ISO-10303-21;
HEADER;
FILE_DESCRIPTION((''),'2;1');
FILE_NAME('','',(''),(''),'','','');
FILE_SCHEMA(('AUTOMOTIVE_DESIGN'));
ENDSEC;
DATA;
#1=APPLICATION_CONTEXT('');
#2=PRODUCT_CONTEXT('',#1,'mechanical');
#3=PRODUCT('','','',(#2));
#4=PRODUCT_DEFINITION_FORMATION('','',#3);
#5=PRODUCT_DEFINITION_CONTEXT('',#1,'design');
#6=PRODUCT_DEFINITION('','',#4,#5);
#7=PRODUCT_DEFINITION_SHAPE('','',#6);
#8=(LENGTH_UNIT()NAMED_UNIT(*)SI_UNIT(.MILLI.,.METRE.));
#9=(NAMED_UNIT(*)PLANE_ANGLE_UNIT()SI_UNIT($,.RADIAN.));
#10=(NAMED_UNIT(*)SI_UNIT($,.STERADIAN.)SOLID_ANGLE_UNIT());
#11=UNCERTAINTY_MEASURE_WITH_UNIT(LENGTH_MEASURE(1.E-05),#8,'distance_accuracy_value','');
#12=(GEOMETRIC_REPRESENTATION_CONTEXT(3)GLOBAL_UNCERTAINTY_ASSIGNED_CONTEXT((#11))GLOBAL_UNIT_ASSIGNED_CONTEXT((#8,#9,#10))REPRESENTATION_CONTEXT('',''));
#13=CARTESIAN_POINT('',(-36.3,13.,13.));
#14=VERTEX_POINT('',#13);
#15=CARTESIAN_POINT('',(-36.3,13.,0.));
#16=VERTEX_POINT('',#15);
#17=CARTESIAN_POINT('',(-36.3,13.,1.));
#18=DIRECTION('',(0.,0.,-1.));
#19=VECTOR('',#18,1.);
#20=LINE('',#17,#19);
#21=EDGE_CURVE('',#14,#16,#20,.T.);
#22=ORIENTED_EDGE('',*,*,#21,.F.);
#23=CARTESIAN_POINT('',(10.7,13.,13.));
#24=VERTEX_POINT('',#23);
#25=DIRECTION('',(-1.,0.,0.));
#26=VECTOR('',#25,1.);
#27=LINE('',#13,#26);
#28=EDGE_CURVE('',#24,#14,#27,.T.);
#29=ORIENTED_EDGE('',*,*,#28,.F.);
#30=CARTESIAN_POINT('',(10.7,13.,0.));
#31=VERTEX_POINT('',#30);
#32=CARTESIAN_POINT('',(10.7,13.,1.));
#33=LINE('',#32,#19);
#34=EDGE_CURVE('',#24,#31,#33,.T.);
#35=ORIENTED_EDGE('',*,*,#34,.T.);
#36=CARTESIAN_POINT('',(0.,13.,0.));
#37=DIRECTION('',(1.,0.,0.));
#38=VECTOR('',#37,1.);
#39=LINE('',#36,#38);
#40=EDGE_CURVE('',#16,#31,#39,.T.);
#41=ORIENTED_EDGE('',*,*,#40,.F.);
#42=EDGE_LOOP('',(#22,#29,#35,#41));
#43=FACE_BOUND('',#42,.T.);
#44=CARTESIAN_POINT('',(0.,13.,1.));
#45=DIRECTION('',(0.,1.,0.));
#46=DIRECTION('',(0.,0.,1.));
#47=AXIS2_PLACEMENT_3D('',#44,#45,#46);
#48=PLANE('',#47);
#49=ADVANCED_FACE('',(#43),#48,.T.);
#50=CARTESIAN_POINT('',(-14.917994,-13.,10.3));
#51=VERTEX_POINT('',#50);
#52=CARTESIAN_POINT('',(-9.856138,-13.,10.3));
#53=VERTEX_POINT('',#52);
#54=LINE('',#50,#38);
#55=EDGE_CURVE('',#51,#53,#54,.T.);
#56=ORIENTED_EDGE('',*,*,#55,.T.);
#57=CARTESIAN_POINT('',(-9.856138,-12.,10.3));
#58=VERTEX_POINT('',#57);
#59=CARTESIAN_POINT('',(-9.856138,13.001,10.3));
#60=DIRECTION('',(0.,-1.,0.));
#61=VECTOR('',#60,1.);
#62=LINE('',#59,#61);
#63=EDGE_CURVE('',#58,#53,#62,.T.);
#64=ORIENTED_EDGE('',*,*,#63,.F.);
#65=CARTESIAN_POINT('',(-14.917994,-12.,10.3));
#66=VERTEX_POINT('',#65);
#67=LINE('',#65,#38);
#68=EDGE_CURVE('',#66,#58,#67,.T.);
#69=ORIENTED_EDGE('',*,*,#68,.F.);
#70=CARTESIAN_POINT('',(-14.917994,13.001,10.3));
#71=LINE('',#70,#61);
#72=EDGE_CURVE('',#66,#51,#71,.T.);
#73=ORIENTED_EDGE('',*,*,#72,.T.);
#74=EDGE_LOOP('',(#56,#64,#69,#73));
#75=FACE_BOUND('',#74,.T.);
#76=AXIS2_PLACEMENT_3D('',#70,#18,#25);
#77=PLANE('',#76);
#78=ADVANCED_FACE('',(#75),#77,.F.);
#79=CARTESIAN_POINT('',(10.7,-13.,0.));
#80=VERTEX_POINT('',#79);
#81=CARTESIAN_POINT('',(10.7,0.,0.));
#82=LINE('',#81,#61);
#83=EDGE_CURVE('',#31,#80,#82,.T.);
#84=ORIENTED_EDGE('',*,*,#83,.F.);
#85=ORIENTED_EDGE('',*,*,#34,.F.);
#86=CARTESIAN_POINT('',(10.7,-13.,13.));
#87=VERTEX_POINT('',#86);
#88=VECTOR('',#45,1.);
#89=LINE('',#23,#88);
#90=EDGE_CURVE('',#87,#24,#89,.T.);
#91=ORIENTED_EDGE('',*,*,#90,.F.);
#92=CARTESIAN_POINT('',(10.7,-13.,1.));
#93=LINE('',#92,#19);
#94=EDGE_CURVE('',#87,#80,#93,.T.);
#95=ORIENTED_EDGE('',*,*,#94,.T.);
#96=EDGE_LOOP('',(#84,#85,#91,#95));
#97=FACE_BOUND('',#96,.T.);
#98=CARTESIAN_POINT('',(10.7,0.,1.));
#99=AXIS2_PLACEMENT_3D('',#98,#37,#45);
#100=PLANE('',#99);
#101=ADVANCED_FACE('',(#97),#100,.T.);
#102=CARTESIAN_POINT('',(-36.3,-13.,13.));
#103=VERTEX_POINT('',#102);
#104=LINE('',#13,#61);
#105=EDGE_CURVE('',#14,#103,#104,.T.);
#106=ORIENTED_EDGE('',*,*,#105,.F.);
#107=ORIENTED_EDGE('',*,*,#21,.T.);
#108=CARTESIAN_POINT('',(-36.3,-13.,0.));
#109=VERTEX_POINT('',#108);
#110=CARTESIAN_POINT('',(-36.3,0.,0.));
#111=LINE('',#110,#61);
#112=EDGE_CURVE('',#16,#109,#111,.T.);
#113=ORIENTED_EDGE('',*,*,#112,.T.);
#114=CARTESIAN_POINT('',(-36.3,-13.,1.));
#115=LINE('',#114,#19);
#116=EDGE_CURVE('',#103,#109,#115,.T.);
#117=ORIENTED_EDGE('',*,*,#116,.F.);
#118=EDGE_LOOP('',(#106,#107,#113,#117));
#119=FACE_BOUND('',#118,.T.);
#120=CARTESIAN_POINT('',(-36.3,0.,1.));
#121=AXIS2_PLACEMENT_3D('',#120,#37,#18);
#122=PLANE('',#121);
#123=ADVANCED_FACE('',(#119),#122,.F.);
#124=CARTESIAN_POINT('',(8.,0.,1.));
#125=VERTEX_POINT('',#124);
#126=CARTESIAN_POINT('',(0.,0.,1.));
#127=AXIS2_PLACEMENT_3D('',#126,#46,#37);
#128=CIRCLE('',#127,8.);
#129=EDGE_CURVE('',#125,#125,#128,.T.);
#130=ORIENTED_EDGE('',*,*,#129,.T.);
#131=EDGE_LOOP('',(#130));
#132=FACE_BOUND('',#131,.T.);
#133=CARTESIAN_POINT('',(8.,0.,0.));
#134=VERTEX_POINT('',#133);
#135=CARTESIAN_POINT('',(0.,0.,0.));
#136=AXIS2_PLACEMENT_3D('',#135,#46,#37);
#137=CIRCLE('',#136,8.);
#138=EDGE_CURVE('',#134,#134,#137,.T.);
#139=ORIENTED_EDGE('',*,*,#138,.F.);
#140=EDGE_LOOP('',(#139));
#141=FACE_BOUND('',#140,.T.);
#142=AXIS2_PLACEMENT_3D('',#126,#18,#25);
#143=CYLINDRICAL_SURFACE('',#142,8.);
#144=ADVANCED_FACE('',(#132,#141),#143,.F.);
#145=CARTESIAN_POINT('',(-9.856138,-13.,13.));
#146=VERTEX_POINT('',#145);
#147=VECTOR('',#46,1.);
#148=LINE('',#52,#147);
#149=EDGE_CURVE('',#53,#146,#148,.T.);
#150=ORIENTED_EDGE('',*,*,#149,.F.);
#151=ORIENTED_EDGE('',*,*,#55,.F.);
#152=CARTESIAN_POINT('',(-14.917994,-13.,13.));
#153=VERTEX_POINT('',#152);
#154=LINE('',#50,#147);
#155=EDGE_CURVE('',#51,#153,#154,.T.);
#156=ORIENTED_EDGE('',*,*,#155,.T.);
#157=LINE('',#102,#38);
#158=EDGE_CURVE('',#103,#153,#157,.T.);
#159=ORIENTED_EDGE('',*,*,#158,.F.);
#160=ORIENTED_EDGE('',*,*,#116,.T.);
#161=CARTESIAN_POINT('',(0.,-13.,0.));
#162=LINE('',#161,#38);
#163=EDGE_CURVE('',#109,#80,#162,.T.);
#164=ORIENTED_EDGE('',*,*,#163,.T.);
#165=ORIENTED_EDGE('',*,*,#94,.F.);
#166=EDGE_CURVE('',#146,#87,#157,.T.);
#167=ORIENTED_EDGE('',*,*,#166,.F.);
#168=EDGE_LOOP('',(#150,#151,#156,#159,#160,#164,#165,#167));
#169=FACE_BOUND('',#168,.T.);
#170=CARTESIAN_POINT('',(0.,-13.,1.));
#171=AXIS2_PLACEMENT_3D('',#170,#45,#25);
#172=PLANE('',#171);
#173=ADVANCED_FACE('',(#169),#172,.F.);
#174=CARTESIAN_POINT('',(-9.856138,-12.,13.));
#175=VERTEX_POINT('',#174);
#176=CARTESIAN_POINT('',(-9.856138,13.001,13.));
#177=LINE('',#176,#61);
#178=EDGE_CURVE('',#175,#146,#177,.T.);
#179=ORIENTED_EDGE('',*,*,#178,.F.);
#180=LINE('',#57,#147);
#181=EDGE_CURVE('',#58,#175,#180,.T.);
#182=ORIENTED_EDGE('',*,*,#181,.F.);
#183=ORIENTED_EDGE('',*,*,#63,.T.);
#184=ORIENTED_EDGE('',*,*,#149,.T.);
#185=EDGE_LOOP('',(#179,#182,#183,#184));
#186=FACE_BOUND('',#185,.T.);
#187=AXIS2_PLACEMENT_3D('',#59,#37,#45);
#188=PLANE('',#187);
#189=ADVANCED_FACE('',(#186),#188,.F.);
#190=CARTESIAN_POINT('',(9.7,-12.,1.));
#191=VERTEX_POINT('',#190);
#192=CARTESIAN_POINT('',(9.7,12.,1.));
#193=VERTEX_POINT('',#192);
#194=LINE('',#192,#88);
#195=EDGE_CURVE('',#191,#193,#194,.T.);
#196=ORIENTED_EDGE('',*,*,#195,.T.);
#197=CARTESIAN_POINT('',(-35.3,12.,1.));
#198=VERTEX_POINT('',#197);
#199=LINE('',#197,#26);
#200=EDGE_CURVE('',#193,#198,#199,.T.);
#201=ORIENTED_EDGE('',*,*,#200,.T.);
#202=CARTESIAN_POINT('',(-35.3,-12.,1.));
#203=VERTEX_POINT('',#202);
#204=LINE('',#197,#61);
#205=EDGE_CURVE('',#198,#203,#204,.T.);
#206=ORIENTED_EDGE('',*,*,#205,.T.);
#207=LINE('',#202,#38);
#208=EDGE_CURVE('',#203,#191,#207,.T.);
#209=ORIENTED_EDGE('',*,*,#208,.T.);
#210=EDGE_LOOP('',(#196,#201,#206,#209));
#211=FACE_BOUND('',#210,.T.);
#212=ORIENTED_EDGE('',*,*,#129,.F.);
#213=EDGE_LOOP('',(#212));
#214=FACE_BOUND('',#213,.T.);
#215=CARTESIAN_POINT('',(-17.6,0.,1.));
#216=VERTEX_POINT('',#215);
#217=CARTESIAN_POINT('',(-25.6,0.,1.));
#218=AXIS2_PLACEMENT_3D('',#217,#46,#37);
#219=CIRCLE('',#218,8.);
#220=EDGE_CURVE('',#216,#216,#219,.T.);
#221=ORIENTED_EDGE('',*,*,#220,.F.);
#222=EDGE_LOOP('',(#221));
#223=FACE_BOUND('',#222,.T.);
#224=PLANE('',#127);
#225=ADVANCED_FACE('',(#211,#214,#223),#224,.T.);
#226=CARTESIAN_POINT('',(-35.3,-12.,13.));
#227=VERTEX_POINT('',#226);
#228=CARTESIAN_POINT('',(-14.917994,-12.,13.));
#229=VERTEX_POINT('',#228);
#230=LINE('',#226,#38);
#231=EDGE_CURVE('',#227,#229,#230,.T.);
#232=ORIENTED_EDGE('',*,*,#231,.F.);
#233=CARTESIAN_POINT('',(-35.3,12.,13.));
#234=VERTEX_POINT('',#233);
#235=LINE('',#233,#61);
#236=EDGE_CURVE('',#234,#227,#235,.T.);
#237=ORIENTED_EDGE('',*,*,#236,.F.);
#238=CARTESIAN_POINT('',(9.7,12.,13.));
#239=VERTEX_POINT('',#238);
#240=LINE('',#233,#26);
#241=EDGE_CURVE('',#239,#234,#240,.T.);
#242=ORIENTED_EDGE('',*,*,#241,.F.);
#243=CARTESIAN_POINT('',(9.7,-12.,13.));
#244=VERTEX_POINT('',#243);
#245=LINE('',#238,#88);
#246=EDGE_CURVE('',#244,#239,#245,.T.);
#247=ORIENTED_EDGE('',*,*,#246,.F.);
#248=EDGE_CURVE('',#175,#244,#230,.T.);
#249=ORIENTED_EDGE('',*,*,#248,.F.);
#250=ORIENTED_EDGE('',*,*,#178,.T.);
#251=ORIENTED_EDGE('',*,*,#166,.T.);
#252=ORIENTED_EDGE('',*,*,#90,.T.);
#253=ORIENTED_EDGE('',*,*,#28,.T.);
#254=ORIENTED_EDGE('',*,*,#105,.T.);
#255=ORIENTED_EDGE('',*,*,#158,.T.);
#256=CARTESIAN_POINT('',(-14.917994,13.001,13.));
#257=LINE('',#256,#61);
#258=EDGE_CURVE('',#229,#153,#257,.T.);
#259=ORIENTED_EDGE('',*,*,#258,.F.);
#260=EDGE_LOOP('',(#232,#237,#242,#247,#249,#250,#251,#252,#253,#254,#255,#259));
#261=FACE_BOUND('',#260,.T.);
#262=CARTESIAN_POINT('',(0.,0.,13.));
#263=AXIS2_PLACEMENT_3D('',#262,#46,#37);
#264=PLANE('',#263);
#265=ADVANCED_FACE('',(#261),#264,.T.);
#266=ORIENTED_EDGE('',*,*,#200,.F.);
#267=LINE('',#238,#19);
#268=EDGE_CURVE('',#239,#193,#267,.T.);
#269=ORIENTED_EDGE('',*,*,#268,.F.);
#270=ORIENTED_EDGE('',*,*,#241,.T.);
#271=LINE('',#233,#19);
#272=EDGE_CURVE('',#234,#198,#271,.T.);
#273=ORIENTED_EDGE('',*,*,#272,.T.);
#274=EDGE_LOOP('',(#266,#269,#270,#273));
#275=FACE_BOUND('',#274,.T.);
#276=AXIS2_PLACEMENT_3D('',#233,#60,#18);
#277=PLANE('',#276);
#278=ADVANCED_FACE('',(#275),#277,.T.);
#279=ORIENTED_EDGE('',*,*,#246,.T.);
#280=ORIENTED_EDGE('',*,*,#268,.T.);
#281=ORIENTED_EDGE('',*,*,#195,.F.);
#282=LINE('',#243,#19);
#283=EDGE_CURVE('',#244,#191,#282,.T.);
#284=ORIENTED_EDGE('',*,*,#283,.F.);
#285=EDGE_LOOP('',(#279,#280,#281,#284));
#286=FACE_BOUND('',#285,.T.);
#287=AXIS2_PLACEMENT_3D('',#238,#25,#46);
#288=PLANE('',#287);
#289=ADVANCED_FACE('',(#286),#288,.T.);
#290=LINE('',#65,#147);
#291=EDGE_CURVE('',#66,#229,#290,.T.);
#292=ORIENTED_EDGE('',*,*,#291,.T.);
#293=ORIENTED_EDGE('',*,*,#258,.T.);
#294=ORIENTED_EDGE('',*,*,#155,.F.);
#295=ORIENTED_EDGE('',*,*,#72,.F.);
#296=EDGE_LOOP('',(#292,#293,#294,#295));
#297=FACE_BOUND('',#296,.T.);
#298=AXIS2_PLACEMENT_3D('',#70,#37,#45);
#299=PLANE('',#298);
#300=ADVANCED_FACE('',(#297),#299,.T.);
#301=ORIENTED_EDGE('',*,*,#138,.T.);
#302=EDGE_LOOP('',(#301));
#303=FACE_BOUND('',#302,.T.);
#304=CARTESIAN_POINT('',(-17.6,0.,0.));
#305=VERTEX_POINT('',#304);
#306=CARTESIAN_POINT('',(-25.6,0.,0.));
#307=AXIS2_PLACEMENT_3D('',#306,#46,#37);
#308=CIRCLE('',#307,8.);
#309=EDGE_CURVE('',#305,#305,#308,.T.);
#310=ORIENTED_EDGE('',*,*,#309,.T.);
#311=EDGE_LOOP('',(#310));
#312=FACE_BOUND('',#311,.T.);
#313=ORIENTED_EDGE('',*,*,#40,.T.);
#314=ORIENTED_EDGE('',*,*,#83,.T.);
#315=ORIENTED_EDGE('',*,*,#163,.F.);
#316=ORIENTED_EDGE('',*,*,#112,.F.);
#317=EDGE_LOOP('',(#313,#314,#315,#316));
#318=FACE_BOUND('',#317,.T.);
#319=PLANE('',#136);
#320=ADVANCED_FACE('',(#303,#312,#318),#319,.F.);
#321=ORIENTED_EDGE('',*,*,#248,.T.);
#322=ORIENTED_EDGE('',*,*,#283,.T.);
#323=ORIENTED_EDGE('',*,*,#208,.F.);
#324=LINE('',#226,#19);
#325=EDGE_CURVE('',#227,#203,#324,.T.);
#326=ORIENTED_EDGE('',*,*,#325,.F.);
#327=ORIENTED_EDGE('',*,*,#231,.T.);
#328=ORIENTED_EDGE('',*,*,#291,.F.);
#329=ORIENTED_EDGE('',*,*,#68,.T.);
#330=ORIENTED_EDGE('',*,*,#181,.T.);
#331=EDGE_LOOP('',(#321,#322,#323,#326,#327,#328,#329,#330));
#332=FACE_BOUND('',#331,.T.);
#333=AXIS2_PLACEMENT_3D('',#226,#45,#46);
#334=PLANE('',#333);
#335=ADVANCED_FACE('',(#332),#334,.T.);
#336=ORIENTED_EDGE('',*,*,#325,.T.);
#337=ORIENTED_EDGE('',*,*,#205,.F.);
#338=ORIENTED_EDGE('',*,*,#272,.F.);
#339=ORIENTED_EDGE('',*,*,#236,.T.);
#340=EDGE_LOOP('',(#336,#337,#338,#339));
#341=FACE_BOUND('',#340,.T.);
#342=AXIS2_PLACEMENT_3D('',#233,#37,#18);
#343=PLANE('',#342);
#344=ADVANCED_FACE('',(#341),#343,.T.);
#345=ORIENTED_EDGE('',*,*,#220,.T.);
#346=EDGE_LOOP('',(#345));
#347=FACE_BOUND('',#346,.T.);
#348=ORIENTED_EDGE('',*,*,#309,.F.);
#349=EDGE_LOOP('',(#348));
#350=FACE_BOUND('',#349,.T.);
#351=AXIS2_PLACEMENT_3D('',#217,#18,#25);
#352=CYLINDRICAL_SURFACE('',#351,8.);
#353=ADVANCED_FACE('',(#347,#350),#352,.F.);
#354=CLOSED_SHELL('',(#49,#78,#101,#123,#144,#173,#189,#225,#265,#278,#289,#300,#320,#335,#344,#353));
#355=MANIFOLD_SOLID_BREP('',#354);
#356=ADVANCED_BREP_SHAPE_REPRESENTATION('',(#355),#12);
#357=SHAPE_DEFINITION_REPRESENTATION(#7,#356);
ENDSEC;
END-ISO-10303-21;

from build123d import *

# Parameters (mm, degrees)
SKETCH1_W           = 47
SKETCH1_H           = 26
SKETCH1_R           = 8
BOSS_EXTRUDE1_DEPTH = 1
SKETCH2_W           = 47
SKETCH2_H           = 26
SKETCH2_W_2         = 45
SKETCH2_H_2         = 24
BOSS_EXTRUDE2_DEPTH = 12
CUT_EXTRUDE1_REACH  = 48.505
SKETCH3_W           = 5.061855515
SKETCH3_H           = 3.126915658


with BuildPart() as part:
    # Sketch1 → Boss-Extrude1 (new body)
    with BuildSketch(Plane.XY):
        with Locations((-12.8, 0)):
            Rectangle(SKETCH1_W, SKETCH1_H)
        with Locations((-25.6, 0)):
            Circle(SKETCH1_R, mode=Mode.SUBTRACT)
        Circle(SKETCH1_R, mode=Mode.SUBTRACT)
    extrude(amount=BOSS_EXTRUDE1_DEPTH)

    # Sketch2 → Boss-Extrude2 (add)
    with BuildSketch(Plane.XY.offset(1)):
        with Locations((-12.8, 0)):
            Rectangle(SKETCH2_W, SKETCH2_H)
        with Locations((-12.8, 0)):
            Rectangle(SKETCH2_W_2, SKETCH2_H_2, mode=Mode.SUBTRACT)
    extrude(amount=BOSS_EXTRUDE2_DEPTH)

    # Sketch3 → Cut-Extrude1 (cut, up to next)
    with BuildSketch(Plane.XZ.offset(13), mode=Mode.PRIVATE) as cut_extrude1_sk1:
        with Locations((-12.387065936, 11.863457829)):
            Rectangle(SKETCH3_W, SKETCH3_H)
    cut_extrude1_tool1 = extrude(cut_extrude1_sk1.sketch, amount=-CUT_EXTRUDE1_REACH, mode=Mode.PRIVATE) & part.part
    add(cut_extrude1_tool1.solids().sort_by_distance((-12.387066, -13, 11.863458))[0], mode=Mode.SUBTRACT)


solid = part.part
